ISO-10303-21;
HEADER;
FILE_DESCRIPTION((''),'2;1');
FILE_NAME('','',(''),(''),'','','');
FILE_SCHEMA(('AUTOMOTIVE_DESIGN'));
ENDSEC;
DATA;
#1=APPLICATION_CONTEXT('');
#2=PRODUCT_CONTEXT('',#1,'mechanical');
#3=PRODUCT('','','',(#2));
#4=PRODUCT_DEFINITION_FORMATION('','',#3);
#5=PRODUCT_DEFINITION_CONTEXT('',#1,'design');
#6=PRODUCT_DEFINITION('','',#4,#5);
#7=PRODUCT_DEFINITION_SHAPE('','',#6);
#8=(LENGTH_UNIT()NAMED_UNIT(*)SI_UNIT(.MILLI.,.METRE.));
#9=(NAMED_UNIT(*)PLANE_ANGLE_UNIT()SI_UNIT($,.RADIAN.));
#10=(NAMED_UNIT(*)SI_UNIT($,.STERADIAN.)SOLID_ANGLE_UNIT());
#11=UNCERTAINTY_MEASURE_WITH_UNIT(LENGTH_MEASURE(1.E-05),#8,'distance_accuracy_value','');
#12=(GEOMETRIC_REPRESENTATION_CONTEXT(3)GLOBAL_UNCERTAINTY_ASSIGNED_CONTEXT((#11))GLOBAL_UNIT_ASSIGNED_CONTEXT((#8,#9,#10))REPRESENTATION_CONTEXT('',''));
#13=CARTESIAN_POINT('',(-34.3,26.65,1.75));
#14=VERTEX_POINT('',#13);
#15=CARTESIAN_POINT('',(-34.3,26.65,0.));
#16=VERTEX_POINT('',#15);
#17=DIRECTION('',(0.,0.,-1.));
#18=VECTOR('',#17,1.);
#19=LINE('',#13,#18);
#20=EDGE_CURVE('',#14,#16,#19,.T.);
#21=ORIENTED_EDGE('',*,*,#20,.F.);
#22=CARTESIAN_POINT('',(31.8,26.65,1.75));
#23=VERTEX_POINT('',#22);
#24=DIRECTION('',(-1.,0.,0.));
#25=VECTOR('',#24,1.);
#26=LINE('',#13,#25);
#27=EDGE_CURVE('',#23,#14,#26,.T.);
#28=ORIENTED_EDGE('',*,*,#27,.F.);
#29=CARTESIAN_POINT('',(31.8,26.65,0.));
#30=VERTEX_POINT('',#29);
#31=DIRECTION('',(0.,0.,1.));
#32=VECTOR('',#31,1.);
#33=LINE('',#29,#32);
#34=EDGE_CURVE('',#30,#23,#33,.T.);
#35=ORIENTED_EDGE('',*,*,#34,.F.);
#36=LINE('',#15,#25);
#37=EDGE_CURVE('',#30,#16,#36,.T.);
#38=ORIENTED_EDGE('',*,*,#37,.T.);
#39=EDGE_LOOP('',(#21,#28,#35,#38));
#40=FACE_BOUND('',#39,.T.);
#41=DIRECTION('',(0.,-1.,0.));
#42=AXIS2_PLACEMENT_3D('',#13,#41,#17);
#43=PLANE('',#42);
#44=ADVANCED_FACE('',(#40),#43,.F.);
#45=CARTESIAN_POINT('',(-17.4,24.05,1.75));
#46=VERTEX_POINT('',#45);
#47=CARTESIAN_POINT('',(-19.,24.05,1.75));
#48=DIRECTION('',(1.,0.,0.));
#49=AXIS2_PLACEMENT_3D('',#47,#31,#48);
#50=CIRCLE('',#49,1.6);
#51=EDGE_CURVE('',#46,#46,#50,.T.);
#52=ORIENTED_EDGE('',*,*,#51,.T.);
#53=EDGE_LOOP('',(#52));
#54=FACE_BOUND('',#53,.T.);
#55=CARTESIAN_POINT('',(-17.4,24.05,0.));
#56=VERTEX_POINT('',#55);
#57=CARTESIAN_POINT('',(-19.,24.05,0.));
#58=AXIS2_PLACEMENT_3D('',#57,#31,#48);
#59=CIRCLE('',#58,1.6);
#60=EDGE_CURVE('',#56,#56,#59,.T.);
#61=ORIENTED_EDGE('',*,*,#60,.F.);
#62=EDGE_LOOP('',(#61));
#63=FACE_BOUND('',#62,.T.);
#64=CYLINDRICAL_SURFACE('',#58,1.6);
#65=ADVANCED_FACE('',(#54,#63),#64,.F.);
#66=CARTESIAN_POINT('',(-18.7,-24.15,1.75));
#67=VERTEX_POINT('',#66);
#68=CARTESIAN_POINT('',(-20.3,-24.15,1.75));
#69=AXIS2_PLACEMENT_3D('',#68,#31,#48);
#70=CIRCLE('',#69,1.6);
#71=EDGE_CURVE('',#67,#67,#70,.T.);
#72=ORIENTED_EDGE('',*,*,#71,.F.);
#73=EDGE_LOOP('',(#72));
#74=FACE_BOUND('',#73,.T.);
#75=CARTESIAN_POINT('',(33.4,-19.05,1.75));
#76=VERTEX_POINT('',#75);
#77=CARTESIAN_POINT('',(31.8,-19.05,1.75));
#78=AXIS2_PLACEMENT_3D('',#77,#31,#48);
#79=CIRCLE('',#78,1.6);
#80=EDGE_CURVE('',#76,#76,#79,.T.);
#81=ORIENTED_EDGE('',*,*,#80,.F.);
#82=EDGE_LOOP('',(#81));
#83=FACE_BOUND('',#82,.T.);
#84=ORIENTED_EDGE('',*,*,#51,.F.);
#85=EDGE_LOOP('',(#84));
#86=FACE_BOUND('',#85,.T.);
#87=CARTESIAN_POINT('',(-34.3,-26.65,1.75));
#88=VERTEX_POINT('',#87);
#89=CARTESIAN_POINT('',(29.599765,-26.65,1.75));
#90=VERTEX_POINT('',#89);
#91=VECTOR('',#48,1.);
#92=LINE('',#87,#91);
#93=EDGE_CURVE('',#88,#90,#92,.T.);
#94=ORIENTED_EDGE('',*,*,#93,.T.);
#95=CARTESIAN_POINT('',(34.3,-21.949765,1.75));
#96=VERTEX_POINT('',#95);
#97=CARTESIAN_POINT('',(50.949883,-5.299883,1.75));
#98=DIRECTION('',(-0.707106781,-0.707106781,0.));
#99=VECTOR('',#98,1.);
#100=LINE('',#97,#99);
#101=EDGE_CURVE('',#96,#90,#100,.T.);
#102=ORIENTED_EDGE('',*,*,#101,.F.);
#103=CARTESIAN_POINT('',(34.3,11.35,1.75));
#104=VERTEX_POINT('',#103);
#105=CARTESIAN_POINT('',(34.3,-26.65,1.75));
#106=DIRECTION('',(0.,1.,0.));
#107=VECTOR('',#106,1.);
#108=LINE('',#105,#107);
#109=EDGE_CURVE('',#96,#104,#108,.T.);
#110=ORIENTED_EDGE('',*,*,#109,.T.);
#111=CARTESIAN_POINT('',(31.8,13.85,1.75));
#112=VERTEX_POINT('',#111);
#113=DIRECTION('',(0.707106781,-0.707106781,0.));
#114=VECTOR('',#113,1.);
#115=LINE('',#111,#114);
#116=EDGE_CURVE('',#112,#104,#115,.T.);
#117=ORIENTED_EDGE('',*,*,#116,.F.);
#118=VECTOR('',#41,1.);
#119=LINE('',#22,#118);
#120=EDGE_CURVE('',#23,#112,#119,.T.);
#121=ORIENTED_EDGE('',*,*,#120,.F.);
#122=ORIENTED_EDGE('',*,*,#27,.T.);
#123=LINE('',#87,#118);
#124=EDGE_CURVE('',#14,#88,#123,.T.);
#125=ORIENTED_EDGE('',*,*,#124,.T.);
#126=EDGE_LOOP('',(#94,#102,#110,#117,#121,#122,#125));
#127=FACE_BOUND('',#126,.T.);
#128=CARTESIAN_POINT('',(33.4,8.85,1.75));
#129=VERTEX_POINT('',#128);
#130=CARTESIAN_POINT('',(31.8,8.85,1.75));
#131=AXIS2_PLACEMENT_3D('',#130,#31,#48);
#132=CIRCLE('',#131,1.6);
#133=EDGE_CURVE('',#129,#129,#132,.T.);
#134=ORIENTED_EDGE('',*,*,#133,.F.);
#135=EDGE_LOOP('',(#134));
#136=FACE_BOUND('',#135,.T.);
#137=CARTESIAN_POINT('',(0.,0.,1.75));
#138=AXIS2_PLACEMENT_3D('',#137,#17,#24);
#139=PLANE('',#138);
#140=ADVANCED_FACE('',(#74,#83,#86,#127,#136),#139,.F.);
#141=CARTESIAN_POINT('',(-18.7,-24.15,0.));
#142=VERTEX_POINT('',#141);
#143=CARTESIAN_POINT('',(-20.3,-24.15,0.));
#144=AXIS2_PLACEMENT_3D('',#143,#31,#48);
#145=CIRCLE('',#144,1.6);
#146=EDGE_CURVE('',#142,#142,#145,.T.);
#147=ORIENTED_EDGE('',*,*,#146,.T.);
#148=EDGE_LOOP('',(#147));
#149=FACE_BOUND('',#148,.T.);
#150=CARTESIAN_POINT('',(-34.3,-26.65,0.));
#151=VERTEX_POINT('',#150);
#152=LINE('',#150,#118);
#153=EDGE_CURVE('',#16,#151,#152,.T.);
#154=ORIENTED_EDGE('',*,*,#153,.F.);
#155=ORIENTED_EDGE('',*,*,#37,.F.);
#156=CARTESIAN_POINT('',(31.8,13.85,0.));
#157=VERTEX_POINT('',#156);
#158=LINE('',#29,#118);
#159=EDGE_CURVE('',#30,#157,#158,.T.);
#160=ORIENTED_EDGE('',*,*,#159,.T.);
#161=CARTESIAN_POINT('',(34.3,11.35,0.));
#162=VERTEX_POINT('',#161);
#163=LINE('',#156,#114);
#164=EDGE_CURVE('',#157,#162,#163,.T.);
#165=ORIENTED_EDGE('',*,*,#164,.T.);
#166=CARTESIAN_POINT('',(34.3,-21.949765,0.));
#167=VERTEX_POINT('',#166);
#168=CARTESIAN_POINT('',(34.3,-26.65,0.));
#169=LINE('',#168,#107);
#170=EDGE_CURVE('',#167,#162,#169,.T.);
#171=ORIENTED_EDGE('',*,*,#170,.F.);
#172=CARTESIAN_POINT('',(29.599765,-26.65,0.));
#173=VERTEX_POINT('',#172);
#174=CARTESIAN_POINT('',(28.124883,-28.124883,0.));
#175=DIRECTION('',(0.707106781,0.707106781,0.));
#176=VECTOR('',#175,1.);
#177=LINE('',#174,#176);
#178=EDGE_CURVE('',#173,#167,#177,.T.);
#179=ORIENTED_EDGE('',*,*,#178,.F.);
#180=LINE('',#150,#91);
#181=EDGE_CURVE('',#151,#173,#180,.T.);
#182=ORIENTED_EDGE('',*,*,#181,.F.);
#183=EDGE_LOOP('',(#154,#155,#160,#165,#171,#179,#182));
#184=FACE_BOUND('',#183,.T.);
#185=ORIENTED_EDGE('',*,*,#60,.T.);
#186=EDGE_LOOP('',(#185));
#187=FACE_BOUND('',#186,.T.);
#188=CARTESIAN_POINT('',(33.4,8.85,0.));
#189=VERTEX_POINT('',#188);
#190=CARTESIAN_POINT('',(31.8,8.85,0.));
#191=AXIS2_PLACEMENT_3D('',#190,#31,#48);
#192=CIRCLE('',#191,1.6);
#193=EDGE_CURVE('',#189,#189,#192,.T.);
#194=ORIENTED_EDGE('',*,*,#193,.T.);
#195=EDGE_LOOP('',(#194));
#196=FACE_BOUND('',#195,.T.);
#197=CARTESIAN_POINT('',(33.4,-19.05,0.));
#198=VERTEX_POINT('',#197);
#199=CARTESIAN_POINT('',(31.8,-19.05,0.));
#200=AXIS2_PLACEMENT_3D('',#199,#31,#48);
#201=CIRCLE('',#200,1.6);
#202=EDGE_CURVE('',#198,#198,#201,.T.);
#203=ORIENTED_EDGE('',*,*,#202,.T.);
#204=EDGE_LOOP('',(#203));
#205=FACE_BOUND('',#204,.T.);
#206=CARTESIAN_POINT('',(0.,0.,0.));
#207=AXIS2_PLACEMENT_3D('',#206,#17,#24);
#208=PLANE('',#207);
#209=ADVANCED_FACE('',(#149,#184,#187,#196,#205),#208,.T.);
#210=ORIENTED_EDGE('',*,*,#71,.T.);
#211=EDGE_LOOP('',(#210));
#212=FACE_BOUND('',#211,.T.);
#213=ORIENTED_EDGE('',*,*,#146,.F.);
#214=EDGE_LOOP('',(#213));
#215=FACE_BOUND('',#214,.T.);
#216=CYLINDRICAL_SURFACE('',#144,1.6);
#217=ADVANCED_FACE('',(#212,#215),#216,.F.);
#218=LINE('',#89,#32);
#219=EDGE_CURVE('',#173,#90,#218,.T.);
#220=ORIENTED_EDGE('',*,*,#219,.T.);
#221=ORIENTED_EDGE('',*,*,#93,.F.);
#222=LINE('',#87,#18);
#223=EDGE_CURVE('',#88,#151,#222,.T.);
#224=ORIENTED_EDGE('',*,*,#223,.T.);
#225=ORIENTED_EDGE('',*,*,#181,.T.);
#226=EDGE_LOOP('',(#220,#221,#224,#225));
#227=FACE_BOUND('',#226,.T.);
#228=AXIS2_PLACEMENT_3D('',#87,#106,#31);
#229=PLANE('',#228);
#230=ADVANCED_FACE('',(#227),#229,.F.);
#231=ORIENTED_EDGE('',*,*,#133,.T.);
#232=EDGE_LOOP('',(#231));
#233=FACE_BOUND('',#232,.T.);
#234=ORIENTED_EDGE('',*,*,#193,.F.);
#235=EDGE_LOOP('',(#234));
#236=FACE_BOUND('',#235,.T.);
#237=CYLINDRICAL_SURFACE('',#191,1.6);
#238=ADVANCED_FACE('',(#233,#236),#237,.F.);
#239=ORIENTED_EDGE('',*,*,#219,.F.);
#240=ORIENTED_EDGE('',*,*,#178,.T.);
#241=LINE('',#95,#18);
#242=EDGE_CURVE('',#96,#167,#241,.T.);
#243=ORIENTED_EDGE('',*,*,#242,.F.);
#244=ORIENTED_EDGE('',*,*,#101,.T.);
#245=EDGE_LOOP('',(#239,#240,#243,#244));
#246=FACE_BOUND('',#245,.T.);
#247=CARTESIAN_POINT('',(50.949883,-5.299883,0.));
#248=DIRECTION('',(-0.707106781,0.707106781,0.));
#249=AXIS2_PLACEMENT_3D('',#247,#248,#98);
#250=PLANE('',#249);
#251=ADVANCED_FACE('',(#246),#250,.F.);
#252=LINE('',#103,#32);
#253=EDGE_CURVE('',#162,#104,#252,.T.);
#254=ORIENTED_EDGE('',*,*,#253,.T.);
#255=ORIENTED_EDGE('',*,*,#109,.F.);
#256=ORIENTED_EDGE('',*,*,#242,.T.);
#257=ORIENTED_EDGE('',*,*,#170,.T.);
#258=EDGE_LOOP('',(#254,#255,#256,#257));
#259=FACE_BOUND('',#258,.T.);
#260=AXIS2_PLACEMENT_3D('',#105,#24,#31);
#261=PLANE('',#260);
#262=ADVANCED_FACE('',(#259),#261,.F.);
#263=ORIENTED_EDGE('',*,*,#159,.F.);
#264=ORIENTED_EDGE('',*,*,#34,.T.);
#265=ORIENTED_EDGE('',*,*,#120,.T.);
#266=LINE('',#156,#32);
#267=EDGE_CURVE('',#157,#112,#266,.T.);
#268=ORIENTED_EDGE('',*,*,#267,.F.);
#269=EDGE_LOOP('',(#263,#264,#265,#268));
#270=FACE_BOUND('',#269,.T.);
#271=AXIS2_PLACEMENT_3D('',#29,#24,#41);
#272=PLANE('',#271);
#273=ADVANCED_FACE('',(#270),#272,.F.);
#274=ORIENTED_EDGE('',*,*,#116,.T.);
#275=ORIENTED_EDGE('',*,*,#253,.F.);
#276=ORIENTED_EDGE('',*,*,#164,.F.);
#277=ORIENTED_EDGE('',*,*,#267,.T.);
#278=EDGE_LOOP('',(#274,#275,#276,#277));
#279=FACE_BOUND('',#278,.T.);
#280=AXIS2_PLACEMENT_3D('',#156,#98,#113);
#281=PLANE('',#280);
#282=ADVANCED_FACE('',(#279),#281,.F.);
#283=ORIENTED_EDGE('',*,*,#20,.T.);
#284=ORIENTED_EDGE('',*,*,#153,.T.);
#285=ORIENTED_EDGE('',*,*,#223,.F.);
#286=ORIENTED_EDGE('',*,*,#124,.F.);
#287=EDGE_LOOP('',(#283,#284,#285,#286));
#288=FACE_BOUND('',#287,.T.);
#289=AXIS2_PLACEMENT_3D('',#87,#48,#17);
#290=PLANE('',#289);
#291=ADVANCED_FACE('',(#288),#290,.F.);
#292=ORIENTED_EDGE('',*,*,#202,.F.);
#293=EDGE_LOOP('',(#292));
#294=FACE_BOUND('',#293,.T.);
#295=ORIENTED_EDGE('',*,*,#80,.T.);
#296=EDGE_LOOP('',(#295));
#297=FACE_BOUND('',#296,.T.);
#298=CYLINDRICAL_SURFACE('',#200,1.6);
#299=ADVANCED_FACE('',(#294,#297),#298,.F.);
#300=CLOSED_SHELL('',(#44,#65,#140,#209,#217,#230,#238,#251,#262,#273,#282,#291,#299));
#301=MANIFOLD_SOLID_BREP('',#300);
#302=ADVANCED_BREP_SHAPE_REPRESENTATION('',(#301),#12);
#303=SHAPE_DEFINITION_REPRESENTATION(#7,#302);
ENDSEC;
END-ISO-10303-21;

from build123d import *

# Parameters (mm, degrees)
SKETCH1_W           = 68.6
SKETCH1_H           = 53.3
BOSS_EXTRUDE1_DEPTH = 1.75
SKETCH2_R           = 1.6
CUT_EXTRUDE1_DEPTH  = 2.75
CUT_EXTRUDE2_DEPTH  = 2.75


with BuildPart() as part:
    # Sketch1 → Boss-Extrude1 (new body)
    with BuildSketch(Plane.XY):
        Rectangle(SKETCH1_W, SKETCH1_H)
    extrude(amount=BOSS_EXTRUDE1_DEPTH)

    # Sketch2 → Cut-Extrude1 (cut, through all)
    with BuildSketch(Plane.XY.offset(1.75)):
        with Locations((-19, 24.05)):
            Circle(SKETCH2_R)
        with Locations((-20.3, -24.15)):
            Circle(SKETCH2_R)
        with Locations((31.8, 8.85)):
            Circle(SKETCH2_R)
        with Locations((31.8, -19.05)):
            Circle(SKETCH2_R)
    extrude(amount=-CUT_EXTRUDE1_DEPTH, mode=Mode.SUBTRACT)

    # Sketch3 → Cut-Extrude2 (cut, through all)
    with BuildSketch(Plane.XY.offset(1.75)):
        Polygon((31.8, 26.65), (31.8, 13.85), (50.94988261, -5.29988261), (28.344966041, -27.904799179), (59.308885604, -27.904799179), (59.308885604, 26.65), align=None)
    extrude(amount=-CUT_EXTRUDE2_DEPTH, mode=Mode.SUBTRACT)


solid = part.part
